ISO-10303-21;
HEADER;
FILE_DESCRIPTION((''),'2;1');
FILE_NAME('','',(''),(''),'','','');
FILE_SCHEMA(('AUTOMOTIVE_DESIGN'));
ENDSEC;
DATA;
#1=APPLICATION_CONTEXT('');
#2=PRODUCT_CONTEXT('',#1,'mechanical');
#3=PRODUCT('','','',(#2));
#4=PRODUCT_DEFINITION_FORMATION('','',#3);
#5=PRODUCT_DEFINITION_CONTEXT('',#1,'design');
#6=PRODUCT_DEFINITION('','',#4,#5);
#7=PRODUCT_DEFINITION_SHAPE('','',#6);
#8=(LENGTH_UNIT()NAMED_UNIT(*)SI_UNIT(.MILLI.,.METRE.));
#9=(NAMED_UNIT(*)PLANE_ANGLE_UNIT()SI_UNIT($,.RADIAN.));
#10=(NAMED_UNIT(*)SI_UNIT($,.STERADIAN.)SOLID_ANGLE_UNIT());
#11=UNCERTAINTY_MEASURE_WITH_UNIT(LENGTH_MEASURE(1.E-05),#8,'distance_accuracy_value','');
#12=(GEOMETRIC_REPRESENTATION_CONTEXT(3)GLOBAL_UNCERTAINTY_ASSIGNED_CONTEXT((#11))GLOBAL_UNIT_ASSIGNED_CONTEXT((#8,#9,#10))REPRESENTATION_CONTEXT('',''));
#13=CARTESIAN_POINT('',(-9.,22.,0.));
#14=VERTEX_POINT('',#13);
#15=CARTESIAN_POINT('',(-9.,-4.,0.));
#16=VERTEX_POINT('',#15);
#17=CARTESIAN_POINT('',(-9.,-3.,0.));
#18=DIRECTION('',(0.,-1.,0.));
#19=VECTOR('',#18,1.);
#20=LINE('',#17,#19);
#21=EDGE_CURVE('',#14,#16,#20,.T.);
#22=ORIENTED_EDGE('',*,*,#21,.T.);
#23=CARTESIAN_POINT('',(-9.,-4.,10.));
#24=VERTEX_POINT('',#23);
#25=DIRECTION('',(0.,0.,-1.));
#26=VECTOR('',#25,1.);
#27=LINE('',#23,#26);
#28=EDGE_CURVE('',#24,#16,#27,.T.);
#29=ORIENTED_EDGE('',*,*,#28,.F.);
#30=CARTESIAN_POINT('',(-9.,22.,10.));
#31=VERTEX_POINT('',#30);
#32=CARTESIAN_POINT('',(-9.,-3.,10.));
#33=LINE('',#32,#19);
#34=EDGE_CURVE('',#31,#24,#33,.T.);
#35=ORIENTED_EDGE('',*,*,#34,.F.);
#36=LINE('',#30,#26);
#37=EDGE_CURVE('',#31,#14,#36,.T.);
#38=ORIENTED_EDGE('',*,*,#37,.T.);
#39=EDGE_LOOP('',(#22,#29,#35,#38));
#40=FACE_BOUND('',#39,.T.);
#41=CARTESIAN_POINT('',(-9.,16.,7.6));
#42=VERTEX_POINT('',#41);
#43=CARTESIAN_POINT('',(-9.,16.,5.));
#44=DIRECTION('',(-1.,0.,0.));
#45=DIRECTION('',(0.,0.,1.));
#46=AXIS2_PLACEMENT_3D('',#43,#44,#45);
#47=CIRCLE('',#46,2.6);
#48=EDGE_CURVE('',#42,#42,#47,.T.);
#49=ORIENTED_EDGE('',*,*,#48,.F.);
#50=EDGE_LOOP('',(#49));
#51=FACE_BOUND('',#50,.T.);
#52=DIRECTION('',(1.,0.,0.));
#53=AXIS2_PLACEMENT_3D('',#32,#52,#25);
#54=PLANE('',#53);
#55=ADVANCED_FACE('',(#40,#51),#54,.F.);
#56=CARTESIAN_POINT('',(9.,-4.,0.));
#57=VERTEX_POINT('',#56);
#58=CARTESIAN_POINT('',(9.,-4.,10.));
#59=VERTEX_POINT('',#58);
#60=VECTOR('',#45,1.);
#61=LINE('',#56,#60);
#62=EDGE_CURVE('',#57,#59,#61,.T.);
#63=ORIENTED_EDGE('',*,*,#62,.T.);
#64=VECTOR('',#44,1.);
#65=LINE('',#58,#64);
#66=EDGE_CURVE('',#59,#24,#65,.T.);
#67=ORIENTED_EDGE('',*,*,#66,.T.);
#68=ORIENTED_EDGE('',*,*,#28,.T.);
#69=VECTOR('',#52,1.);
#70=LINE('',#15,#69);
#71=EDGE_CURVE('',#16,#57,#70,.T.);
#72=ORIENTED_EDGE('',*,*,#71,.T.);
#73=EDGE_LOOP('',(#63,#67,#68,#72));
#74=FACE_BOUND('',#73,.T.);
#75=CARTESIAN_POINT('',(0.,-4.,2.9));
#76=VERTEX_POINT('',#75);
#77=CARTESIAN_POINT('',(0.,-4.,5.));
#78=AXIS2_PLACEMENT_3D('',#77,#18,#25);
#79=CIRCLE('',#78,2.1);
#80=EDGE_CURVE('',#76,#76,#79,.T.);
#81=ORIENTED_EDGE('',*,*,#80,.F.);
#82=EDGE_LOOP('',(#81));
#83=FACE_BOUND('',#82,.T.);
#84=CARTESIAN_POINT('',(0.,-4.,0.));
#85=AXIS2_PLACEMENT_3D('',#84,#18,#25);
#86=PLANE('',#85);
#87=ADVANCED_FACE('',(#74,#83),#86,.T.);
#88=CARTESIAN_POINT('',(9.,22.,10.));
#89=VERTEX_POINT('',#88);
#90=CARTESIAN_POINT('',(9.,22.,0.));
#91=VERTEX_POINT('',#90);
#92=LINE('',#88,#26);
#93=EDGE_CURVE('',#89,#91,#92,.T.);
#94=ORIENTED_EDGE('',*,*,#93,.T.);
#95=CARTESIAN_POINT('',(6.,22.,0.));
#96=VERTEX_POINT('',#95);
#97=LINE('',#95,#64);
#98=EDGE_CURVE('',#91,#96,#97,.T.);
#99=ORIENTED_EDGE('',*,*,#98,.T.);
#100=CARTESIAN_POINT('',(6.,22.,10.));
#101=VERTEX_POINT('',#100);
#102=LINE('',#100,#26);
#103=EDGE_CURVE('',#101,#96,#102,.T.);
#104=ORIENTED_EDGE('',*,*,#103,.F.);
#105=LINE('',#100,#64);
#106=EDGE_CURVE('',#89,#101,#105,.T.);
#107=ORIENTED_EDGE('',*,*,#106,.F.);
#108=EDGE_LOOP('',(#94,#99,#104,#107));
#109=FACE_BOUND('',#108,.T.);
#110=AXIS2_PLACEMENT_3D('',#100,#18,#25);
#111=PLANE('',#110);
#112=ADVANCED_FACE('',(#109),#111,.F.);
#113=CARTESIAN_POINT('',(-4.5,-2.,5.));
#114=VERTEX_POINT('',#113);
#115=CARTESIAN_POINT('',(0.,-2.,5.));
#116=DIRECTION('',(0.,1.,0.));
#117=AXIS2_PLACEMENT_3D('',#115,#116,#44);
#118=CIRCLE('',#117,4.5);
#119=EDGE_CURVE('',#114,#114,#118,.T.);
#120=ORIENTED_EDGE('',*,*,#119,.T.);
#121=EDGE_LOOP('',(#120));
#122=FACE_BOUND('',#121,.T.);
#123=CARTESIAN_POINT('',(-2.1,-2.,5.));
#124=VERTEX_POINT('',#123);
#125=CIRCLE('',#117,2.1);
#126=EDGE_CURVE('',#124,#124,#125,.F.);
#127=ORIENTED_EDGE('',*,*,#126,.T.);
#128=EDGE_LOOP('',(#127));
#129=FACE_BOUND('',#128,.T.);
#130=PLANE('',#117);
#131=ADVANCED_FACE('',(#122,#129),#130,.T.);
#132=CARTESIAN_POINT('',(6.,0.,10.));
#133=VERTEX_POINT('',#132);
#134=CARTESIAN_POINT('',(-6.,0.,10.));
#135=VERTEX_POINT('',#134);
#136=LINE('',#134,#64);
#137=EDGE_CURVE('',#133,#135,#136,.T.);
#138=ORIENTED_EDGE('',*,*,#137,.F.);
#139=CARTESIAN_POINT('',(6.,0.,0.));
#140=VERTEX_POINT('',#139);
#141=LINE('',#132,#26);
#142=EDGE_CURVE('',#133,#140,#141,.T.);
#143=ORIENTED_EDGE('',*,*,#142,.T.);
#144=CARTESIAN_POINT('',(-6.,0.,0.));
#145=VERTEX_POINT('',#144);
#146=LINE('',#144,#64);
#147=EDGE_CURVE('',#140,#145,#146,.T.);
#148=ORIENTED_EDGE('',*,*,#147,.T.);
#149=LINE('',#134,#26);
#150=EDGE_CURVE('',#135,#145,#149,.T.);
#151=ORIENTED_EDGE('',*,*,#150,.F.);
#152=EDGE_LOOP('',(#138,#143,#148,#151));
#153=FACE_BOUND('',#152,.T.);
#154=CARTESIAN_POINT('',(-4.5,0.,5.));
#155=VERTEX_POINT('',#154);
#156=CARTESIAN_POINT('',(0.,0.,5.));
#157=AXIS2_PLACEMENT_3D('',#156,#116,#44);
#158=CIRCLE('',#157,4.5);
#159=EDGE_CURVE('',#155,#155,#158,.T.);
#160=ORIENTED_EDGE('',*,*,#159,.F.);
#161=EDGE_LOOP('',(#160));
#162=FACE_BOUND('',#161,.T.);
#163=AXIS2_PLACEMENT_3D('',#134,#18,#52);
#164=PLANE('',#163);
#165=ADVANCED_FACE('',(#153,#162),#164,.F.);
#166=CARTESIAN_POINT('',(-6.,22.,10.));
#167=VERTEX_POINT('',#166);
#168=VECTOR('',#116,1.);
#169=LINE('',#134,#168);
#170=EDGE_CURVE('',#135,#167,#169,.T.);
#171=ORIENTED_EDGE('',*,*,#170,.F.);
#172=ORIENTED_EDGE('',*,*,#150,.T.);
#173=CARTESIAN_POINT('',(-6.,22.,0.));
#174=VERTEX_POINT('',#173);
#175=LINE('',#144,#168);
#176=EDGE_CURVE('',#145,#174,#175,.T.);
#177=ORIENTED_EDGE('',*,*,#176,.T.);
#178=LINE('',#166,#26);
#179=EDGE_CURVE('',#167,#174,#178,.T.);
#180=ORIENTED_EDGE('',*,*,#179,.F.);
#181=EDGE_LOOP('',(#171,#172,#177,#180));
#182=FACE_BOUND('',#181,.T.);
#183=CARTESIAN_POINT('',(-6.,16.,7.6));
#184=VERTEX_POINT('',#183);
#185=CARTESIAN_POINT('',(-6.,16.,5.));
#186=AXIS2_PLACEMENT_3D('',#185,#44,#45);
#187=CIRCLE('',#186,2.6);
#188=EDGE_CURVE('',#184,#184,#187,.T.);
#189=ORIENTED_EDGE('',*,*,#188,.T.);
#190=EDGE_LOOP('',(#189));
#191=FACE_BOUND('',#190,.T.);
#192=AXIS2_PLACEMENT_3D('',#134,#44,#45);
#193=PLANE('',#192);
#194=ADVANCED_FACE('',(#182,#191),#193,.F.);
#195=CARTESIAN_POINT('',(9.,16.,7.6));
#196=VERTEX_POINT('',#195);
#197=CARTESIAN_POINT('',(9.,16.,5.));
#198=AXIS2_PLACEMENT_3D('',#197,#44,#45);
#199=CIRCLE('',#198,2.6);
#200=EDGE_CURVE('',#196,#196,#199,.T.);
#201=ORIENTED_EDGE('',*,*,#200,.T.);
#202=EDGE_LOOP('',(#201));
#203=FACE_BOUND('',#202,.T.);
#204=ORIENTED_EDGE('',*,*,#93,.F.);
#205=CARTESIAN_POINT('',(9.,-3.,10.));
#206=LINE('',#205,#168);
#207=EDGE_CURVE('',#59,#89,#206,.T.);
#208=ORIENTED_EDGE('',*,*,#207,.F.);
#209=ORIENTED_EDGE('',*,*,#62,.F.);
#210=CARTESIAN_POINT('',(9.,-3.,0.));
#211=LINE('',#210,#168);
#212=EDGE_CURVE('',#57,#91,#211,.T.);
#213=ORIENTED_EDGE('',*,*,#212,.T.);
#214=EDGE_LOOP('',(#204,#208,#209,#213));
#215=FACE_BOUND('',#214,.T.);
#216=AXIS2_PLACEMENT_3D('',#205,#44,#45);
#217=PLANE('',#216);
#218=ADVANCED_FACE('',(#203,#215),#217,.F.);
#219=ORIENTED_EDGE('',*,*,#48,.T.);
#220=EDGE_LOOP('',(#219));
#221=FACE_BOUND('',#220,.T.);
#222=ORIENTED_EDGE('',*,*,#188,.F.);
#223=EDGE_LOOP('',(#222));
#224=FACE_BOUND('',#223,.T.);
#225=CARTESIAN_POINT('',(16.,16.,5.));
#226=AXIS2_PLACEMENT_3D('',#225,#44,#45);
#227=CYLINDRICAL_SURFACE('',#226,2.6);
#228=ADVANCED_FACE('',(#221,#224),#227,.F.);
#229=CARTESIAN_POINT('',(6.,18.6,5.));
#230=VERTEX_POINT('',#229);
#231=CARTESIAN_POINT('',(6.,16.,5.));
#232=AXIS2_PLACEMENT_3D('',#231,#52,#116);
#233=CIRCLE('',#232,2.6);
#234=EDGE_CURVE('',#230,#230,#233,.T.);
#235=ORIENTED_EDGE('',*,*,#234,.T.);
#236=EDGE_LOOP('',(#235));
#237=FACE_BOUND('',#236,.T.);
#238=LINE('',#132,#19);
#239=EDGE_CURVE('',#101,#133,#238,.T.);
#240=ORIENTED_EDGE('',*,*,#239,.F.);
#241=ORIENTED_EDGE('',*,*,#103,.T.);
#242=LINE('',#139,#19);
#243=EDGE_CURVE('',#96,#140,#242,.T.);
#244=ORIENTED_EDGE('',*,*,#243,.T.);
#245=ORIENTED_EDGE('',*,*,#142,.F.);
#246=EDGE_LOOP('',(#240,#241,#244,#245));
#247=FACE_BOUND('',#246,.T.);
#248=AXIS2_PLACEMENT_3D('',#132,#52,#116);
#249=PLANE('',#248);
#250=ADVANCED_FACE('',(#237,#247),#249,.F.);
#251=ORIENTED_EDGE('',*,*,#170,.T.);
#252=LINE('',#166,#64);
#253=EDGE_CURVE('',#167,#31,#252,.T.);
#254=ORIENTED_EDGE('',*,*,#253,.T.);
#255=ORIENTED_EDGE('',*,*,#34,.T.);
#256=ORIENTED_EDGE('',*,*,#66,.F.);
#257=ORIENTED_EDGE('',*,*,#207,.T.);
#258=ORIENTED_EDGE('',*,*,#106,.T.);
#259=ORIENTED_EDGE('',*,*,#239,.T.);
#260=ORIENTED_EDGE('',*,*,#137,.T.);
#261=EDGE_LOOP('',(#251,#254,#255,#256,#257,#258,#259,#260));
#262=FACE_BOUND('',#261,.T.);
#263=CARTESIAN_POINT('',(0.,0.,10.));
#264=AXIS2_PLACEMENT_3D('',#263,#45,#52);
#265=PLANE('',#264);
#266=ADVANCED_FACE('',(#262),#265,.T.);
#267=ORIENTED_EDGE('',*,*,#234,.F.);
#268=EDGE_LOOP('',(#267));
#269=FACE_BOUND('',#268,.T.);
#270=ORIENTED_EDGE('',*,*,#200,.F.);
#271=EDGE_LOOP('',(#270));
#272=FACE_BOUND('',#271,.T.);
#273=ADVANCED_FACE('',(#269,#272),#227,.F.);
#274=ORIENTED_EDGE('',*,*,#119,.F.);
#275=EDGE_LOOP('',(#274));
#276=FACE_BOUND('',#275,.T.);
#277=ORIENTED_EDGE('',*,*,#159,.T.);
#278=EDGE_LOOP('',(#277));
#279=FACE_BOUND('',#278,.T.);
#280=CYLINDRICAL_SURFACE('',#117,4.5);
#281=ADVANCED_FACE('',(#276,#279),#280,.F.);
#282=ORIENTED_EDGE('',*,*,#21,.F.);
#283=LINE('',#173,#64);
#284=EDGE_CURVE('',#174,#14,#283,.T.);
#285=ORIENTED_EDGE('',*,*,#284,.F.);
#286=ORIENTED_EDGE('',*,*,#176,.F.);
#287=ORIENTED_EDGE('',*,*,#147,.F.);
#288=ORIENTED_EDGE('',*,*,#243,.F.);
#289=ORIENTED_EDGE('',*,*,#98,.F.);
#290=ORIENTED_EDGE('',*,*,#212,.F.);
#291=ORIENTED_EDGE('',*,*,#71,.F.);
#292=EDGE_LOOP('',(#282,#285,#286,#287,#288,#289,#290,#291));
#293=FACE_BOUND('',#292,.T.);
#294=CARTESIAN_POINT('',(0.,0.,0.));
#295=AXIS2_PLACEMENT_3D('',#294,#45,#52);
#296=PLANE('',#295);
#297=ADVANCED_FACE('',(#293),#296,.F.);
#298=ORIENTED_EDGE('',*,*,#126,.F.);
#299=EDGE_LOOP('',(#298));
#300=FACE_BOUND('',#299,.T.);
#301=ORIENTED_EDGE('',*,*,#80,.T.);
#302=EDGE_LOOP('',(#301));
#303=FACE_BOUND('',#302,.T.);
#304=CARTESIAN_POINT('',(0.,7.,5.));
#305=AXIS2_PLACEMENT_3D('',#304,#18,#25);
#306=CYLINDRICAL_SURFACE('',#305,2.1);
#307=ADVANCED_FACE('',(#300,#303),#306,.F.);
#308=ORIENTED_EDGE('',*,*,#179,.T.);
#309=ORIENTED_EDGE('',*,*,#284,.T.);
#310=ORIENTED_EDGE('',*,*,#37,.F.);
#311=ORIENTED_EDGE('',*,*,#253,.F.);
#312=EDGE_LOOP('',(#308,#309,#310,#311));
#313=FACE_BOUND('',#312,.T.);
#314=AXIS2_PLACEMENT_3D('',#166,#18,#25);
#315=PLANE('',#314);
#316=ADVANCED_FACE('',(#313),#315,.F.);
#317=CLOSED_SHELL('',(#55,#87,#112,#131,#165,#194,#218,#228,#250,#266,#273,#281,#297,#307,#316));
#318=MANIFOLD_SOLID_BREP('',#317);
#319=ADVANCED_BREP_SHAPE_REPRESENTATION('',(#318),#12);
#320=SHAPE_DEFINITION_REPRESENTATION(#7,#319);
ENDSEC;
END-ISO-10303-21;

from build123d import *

# Parameters (mm, degrees)
BOSS_EXTRUDE1_DEPTH = 10
SKETCH2_R           = 2.6
CUT_EXTRUDE4_DEPTH  = 25
CUT_EXTRUDE5_DEPTH  = 10
SKETCH6_R           = 4.5
CUT_EXTRUDE6_DEPTH  = 2
BOSS_EXTRUDE2_START = 1
SKETCH7_W           = 18
SKETCH7_H           = 10
SKETCH7_R           = 2.1
BOSS_EXTRUDE2_DEPTH = 1


with BuildPart() as part:
    # Sketch1 → Boss-Extrude1 (new body)
    with BuildSketch(Plane.XY):
        Polygon((-6, 0), (6, 0), (6, 22), (9, 22), (9, -3), (-9, -3), (-9, 22), (-6, 22), align=None)
    extrude(amount=BOSS_EXTRUDE1_DEPTH)

    # Sketch2 → Cut-Extrude4 (cut)
    with BuildSketch(Plane.ZY.offset(9)):
        with Locations((5, 16)):
            Circle(SKETCH2_R)
    extrude(amount=-CUT_EXTRUDE4_DEPTH, mode=Mode.SUBTRACT)

    # Sketch5 → Cut-Extrude5 (cut)
    with BuildSketch(Plane.XZ.offset(3)):
        with BuildLine():
            Line((2.1, 5), (0, 5))
            Line((0, 5), (-2.1, 5))
            ThreePointArc((-2.1, 5), (0, 2.9), (2.1, 5))
        make_face()
        with BuildLine():
            Line((0, 7.1), (0, 5))
            Line((0, 5), (2.1, 5))
            ThreePointArc((2.1, 5), (1.48492424, 6.48492424), (0, 7.1))
        make_face()
        with BuildLine():
            Line((-2.1, 5), (0, 5))
            Line((0, 5), (0, 7.1))
            ThreePointArc((0, 7.1), (-1.48492424, 6.48492424), (-2.1, 5))
        make_face()
    extrude(amount=-CUT_EXTRUDE5_DEPTH, mode=Mode.SUBTRACT)

    # Sketch6 → Cut-Extrude6 (cut)
    with BuildSketch(Plane(origin=(0, 0, 0), x_dir=(1, 0, 0), z_dir=(0, 1, 0))):
        with Locations(Location((0, -5, 0), (0, 0, 180))):
            Circle(SKETCH6_R)
    extrude(amount=-CUT_EXTRUDE6_DEPTH, mode=Mode.SUBTRACT)

    # Sketch7 → Boss-Extrude2 (add)
    with BuildSketch(Plane.XZ.offset(3).offset(BOSS_EXTRUDE2_START)):
        with Locations((0, 5)):
            Rectangle(SKETCH7_W, SKETCH7_H)
        with Locations(Location((0, 5, 0), (0, 0, 270))):
            Circle(SKETCH7_R, mode=Mode.SUBTRACT)
    extrude(amount=-BOSS_EXTRUDE2_DEPTH)


solid = part.part
